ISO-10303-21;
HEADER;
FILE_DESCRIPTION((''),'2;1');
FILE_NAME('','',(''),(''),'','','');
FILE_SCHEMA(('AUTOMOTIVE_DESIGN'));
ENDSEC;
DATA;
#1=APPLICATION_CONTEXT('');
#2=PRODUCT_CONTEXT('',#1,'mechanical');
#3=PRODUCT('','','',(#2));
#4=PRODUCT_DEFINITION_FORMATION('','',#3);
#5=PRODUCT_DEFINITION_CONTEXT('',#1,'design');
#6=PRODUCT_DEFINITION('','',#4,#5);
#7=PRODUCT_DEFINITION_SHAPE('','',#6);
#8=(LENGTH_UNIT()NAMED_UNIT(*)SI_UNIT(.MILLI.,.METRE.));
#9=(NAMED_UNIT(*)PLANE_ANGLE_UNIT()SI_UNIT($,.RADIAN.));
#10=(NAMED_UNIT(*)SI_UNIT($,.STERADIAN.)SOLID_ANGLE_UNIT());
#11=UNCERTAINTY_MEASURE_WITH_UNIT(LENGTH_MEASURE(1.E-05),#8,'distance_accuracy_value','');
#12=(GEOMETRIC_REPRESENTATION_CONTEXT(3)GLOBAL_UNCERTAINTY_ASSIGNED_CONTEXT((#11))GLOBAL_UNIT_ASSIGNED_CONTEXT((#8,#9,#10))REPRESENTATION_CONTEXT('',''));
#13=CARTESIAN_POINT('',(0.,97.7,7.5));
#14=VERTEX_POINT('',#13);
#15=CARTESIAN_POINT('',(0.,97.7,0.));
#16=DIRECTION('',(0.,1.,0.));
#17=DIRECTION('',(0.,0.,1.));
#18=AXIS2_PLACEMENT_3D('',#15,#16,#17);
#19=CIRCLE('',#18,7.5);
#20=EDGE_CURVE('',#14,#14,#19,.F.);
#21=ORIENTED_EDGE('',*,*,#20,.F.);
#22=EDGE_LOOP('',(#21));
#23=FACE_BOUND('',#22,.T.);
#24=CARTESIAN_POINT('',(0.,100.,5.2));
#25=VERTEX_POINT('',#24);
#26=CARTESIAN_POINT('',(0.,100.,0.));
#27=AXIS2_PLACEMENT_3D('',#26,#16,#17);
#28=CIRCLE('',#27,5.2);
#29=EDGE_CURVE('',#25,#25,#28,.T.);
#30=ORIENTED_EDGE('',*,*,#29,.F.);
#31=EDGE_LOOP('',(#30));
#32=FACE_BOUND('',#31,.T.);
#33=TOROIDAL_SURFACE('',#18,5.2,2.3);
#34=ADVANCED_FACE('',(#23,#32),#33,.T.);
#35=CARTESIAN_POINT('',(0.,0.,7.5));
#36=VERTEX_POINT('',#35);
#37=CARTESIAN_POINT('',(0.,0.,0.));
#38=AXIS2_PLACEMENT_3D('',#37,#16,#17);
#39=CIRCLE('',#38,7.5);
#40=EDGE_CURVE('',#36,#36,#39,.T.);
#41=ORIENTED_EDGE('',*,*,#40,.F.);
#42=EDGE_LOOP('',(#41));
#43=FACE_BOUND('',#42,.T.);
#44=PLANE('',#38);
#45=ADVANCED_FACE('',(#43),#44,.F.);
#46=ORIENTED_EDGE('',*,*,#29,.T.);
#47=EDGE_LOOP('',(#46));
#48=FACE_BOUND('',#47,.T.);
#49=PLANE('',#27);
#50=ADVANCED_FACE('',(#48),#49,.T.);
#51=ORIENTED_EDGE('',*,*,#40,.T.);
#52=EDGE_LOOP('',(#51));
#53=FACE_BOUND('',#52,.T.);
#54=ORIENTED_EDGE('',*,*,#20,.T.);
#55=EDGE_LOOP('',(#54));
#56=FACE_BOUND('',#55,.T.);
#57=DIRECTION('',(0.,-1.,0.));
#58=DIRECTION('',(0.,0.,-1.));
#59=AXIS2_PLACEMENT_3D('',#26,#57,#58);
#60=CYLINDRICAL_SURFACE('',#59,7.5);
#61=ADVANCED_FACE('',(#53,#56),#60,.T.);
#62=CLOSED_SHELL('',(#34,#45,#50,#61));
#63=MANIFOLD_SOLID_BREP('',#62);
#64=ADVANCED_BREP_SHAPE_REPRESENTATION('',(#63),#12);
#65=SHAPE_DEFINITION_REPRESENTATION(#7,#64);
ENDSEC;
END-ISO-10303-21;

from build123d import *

# Parameters (mm, degrees)
SKETCH1_R       = 7.5
MAIN_BODY_DEPTH = 100
FILLET1_R       = 2.3


with BuildPart() as part:
    # Sketch1 → Main Body (new body)
    with BuildSketch(Plane(origin=(0, 0, 0), x_dir=(1, 0, 0), z_dir=(0, 1, 0))):
        with Locations(Location((0, 0, 0), (0, 0, 270))):
            Circle(SKETCH1_R)
    extrude(amount=MAIN_BODY_DEPTH)

    # Fillet1
    fillet1_edges = [part.edges().sort_by_distance(p)[0] for p in [
        (0, 100, -7.5),
    ]]
    fillet(fillet1_edges, radius=FILLET1_R)


solid = part.part
